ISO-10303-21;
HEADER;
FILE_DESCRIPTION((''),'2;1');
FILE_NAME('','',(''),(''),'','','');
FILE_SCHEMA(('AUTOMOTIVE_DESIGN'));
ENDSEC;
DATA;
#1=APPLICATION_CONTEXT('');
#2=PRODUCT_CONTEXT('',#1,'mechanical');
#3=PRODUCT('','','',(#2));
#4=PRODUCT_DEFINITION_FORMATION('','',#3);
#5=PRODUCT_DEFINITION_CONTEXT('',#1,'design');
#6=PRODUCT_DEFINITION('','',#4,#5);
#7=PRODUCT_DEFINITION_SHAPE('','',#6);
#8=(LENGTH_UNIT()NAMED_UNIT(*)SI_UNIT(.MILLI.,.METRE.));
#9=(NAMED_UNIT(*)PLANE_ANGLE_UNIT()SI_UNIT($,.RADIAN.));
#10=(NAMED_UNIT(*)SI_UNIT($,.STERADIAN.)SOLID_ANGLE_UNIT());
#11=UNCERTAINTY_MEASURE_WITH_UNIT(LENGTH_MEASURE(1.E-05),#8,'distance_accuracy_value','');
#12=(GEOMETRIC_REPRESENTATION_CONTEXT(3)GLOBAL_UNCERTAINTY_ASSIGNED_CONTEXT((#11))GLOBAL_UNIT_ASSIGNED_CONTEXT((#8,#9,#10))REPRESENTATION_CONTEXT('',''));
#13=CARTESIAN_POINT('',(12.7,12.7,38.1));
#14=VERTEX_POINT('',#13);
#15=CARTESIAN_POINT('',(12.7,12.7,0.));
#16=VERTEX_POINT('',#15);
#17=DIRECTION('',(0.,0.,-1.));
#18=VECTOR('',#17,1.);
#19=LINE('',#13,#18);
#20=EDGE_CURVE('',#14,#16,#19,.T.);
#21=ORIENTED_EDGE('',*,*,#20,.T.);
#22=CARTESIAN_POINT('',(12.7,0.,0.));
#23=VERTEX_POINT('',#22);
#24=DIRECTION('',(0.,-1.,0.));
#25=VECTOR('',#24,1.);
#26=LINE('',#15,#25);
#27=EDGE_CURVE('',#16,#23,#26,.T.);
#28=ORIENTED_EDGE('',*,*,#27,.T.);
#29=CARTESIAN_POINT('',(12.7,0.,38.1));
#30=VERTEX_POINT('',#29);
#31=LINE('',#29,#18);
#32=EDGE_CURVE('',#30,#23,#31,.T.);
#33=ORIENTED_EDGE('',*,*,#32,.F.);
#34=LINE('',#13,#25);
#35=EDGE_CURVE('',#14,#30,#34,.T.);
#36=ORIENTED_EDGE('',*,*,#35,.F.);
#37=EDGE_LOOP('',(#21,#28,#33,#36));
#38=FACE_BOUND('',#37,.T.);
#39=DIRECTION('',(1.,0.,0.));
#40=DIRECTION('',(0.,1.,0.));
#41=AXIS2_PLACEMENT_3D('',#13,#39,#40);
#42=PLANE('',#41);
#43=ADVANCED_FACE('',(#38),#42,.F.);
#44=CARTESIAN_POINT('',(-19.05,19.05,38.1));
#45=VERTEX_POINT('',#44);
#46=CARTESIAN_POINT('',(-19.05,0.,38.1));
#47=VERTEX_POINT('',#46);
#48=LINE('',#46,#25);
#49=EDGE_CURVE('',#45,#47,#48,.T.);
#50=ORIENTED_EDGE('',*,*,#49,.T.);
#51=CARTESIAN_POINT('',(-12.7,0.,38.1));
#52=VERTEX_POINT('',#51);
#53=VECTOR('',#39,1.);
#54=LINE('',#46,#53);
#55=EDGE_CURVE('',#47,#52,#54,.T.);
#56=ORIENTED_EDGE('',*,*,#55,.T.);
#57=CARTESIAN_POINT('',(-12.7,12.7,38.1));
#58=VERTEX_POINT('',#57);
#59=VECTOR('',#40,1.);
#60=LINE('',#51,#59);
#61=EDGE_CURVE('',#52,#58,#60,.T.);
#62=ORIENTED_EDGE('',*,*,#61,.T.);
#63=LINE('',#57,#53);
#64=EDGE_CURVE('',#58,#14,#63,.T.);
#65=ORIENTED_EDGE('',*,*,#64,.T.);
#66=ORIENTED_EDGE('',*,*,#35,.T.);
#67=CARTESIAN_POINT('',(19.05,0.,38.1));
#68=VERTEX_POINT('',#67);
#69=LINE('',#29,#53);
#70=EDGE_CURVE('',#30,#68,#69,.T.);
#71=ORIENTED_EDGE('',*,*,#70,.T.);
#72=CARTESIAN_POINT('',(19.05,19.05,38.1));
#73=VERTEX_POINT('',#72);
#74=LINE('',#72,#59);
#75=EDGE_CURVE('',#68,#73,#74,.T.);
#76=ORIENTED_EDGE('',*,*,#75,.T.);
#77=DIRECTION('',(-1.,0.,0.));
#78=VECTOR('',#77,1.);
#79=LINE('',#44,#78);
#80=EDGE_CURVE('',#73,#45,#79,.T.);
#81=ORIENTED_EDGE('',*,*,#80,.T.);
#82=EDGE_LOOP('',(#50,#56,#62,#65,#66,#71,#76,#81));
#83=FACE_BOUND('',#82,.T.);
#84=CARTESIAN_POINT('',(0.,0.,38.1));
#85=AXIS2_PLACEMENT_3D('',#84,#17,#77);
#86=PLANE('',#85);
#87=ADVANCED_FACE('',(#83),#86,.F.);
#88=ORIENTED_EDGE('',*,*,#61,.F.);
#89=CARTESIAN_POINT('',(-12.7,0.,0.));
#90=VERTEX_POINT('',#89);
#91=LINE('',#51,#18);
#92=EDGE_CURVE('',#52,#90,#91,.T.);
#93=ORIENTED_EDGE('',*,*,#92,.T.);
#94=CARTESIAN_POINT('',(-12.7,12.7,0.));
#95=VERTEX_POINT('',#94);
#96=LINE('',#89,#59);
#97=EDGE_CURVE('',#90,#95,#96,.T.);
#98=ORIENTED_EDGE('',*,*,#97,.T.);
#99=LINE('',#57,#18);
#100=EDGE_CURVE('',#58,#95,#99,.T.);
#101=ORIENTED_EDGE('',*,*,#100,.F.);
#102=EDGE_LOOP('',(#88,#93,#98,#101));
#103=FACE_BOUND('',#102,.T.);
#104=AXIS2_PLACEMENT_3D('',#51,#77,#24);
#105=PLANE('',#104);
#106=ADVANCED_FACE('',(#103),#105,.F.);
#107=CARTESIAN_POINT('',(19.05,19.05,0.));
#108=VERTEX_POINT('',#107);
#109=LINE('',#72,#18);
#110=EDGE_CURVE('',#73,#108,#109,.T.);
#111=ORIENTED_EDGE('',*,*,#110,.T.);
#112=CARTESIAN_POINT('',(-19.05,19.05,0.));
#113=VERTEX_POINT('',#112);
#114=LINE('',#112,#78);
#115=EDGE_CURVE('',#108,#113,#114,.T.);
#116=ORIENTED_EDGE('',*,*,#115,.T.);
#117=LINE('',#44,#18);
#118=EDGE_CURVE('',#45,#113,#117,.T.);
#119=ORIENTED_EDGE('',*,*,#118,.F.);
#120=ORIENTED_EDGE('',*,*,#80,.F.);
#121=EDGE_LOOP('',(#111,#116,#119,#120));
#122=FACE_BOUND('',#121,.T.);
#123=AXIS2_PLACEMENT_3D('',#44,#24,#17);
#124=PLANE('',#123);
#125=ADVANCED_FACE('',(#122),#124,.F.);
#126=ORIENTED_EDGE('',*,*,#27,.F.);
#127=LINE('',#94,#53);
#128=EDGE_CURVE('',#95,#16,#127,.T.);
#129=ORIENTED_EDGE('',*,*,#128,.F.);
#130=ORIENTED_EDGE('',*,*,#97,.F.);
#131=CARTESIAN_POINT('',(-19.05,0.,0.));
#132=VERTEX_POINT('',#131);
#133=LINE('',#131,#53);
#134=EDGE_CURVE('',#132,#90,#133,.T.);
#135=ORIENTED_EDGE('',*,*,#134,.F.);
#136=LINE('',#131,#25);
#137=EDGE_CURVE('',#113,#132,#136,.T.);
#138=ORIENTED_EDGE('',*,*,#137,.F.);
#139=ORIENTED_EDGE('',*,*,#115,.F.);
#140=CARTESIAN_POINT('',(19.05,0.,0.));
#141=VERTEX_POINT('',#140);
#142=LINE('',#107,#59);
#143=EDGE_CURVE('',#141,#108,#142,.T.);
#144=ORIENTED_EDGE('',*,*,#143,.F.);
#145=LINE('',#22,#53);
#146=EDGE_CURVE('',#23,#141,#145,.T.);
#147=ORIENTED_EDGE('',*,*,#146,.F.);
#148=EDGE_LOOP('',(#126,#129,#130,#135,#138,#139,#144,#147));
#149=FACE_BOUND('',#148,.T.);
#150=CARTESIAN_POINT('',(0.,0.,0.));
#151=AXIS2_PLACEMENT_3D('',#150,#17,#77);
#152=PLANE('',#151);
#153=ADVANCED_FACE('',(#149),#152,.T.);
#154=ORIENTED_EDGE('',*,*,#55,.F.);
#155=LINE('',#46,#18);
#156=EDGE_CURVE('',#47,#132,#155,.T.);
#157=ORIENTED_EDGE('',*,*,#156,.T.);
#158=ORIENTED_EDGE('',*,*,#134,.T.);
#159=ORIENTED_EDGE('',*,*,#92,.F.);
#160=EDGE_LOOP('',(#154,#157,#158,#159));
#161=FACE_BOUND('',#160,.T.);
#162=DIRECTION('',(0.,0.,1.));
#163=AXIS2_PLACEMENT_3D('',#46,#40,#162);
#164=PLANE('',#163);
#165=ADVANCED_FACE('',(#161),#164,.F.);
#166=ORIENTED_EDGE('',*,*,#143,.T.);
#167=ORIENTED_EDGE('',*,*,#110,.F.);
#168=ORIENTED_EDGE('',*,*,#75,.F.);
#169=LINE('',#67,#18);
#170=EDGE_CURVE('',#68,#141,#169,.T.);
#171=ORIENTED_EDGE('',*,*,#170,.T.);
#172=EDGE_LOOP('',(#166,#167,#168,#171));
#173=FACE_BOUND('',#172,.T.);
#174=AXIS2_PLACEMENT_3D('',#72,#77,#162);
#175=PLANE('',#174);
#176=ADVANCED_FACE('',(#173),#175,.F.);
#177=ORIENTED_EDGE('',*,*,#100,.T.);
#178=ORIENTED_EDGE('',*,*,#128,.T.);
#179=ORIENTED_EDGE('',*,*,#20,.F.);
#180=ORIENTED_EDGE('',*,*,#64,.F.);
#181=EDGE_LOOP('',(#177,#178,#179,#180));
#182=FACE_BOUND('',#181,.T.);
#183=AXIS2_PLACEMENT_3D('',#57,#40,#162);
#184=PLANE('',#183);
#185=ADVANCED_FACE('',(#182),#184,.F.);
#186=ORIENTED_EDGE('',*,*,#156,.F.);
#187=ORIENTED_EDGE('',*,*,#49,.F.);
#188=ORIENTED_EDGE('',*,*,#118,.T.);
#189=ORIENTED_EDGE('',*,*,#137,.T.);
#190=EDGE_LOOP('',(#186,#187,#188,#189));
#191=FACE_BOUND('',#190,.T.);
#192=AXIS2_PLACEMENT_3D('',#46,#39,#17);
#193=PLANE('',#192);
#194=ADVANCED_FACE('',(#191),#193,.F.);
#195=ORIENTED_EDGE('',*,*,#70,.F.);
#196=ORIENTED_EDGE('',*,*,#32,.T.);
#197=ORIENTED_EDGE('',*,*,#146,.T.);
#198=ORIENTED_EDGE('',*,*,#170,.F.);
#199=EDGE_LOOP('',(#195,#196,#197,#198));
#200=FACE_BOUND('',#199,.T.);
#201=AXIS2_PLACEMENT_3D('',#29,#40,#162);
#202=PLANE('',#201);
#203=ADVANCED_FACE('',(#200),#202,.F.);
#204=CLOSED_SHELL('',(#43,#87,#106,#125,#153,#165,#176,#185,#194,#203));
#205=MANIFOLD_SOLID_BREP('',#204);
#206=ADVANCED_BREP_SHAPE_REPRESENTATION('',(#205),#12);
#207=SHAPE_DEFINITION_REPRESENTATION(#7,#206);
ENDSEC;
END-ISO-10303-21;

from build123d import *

# Parameters (mm, degrees)
BOSS_EXTRUDE1_DEPTH = 38.1


with BuildPart() as part:
    # Sketch1 → Boss-Extrude1 (new body)
    with BuildSketch(Plane.XY):
        Polygon((-12.7, 0), (-12.7, 12.7), (12.7, 12.7), (12.7, 0), (19.05, 0), (19.05, 19.05), (-19.05, 19.05), (-19.05, 0), align=None)
    extrude(amount=BOSS_EXTRUDE1_DEPTH)


solid = part.part
